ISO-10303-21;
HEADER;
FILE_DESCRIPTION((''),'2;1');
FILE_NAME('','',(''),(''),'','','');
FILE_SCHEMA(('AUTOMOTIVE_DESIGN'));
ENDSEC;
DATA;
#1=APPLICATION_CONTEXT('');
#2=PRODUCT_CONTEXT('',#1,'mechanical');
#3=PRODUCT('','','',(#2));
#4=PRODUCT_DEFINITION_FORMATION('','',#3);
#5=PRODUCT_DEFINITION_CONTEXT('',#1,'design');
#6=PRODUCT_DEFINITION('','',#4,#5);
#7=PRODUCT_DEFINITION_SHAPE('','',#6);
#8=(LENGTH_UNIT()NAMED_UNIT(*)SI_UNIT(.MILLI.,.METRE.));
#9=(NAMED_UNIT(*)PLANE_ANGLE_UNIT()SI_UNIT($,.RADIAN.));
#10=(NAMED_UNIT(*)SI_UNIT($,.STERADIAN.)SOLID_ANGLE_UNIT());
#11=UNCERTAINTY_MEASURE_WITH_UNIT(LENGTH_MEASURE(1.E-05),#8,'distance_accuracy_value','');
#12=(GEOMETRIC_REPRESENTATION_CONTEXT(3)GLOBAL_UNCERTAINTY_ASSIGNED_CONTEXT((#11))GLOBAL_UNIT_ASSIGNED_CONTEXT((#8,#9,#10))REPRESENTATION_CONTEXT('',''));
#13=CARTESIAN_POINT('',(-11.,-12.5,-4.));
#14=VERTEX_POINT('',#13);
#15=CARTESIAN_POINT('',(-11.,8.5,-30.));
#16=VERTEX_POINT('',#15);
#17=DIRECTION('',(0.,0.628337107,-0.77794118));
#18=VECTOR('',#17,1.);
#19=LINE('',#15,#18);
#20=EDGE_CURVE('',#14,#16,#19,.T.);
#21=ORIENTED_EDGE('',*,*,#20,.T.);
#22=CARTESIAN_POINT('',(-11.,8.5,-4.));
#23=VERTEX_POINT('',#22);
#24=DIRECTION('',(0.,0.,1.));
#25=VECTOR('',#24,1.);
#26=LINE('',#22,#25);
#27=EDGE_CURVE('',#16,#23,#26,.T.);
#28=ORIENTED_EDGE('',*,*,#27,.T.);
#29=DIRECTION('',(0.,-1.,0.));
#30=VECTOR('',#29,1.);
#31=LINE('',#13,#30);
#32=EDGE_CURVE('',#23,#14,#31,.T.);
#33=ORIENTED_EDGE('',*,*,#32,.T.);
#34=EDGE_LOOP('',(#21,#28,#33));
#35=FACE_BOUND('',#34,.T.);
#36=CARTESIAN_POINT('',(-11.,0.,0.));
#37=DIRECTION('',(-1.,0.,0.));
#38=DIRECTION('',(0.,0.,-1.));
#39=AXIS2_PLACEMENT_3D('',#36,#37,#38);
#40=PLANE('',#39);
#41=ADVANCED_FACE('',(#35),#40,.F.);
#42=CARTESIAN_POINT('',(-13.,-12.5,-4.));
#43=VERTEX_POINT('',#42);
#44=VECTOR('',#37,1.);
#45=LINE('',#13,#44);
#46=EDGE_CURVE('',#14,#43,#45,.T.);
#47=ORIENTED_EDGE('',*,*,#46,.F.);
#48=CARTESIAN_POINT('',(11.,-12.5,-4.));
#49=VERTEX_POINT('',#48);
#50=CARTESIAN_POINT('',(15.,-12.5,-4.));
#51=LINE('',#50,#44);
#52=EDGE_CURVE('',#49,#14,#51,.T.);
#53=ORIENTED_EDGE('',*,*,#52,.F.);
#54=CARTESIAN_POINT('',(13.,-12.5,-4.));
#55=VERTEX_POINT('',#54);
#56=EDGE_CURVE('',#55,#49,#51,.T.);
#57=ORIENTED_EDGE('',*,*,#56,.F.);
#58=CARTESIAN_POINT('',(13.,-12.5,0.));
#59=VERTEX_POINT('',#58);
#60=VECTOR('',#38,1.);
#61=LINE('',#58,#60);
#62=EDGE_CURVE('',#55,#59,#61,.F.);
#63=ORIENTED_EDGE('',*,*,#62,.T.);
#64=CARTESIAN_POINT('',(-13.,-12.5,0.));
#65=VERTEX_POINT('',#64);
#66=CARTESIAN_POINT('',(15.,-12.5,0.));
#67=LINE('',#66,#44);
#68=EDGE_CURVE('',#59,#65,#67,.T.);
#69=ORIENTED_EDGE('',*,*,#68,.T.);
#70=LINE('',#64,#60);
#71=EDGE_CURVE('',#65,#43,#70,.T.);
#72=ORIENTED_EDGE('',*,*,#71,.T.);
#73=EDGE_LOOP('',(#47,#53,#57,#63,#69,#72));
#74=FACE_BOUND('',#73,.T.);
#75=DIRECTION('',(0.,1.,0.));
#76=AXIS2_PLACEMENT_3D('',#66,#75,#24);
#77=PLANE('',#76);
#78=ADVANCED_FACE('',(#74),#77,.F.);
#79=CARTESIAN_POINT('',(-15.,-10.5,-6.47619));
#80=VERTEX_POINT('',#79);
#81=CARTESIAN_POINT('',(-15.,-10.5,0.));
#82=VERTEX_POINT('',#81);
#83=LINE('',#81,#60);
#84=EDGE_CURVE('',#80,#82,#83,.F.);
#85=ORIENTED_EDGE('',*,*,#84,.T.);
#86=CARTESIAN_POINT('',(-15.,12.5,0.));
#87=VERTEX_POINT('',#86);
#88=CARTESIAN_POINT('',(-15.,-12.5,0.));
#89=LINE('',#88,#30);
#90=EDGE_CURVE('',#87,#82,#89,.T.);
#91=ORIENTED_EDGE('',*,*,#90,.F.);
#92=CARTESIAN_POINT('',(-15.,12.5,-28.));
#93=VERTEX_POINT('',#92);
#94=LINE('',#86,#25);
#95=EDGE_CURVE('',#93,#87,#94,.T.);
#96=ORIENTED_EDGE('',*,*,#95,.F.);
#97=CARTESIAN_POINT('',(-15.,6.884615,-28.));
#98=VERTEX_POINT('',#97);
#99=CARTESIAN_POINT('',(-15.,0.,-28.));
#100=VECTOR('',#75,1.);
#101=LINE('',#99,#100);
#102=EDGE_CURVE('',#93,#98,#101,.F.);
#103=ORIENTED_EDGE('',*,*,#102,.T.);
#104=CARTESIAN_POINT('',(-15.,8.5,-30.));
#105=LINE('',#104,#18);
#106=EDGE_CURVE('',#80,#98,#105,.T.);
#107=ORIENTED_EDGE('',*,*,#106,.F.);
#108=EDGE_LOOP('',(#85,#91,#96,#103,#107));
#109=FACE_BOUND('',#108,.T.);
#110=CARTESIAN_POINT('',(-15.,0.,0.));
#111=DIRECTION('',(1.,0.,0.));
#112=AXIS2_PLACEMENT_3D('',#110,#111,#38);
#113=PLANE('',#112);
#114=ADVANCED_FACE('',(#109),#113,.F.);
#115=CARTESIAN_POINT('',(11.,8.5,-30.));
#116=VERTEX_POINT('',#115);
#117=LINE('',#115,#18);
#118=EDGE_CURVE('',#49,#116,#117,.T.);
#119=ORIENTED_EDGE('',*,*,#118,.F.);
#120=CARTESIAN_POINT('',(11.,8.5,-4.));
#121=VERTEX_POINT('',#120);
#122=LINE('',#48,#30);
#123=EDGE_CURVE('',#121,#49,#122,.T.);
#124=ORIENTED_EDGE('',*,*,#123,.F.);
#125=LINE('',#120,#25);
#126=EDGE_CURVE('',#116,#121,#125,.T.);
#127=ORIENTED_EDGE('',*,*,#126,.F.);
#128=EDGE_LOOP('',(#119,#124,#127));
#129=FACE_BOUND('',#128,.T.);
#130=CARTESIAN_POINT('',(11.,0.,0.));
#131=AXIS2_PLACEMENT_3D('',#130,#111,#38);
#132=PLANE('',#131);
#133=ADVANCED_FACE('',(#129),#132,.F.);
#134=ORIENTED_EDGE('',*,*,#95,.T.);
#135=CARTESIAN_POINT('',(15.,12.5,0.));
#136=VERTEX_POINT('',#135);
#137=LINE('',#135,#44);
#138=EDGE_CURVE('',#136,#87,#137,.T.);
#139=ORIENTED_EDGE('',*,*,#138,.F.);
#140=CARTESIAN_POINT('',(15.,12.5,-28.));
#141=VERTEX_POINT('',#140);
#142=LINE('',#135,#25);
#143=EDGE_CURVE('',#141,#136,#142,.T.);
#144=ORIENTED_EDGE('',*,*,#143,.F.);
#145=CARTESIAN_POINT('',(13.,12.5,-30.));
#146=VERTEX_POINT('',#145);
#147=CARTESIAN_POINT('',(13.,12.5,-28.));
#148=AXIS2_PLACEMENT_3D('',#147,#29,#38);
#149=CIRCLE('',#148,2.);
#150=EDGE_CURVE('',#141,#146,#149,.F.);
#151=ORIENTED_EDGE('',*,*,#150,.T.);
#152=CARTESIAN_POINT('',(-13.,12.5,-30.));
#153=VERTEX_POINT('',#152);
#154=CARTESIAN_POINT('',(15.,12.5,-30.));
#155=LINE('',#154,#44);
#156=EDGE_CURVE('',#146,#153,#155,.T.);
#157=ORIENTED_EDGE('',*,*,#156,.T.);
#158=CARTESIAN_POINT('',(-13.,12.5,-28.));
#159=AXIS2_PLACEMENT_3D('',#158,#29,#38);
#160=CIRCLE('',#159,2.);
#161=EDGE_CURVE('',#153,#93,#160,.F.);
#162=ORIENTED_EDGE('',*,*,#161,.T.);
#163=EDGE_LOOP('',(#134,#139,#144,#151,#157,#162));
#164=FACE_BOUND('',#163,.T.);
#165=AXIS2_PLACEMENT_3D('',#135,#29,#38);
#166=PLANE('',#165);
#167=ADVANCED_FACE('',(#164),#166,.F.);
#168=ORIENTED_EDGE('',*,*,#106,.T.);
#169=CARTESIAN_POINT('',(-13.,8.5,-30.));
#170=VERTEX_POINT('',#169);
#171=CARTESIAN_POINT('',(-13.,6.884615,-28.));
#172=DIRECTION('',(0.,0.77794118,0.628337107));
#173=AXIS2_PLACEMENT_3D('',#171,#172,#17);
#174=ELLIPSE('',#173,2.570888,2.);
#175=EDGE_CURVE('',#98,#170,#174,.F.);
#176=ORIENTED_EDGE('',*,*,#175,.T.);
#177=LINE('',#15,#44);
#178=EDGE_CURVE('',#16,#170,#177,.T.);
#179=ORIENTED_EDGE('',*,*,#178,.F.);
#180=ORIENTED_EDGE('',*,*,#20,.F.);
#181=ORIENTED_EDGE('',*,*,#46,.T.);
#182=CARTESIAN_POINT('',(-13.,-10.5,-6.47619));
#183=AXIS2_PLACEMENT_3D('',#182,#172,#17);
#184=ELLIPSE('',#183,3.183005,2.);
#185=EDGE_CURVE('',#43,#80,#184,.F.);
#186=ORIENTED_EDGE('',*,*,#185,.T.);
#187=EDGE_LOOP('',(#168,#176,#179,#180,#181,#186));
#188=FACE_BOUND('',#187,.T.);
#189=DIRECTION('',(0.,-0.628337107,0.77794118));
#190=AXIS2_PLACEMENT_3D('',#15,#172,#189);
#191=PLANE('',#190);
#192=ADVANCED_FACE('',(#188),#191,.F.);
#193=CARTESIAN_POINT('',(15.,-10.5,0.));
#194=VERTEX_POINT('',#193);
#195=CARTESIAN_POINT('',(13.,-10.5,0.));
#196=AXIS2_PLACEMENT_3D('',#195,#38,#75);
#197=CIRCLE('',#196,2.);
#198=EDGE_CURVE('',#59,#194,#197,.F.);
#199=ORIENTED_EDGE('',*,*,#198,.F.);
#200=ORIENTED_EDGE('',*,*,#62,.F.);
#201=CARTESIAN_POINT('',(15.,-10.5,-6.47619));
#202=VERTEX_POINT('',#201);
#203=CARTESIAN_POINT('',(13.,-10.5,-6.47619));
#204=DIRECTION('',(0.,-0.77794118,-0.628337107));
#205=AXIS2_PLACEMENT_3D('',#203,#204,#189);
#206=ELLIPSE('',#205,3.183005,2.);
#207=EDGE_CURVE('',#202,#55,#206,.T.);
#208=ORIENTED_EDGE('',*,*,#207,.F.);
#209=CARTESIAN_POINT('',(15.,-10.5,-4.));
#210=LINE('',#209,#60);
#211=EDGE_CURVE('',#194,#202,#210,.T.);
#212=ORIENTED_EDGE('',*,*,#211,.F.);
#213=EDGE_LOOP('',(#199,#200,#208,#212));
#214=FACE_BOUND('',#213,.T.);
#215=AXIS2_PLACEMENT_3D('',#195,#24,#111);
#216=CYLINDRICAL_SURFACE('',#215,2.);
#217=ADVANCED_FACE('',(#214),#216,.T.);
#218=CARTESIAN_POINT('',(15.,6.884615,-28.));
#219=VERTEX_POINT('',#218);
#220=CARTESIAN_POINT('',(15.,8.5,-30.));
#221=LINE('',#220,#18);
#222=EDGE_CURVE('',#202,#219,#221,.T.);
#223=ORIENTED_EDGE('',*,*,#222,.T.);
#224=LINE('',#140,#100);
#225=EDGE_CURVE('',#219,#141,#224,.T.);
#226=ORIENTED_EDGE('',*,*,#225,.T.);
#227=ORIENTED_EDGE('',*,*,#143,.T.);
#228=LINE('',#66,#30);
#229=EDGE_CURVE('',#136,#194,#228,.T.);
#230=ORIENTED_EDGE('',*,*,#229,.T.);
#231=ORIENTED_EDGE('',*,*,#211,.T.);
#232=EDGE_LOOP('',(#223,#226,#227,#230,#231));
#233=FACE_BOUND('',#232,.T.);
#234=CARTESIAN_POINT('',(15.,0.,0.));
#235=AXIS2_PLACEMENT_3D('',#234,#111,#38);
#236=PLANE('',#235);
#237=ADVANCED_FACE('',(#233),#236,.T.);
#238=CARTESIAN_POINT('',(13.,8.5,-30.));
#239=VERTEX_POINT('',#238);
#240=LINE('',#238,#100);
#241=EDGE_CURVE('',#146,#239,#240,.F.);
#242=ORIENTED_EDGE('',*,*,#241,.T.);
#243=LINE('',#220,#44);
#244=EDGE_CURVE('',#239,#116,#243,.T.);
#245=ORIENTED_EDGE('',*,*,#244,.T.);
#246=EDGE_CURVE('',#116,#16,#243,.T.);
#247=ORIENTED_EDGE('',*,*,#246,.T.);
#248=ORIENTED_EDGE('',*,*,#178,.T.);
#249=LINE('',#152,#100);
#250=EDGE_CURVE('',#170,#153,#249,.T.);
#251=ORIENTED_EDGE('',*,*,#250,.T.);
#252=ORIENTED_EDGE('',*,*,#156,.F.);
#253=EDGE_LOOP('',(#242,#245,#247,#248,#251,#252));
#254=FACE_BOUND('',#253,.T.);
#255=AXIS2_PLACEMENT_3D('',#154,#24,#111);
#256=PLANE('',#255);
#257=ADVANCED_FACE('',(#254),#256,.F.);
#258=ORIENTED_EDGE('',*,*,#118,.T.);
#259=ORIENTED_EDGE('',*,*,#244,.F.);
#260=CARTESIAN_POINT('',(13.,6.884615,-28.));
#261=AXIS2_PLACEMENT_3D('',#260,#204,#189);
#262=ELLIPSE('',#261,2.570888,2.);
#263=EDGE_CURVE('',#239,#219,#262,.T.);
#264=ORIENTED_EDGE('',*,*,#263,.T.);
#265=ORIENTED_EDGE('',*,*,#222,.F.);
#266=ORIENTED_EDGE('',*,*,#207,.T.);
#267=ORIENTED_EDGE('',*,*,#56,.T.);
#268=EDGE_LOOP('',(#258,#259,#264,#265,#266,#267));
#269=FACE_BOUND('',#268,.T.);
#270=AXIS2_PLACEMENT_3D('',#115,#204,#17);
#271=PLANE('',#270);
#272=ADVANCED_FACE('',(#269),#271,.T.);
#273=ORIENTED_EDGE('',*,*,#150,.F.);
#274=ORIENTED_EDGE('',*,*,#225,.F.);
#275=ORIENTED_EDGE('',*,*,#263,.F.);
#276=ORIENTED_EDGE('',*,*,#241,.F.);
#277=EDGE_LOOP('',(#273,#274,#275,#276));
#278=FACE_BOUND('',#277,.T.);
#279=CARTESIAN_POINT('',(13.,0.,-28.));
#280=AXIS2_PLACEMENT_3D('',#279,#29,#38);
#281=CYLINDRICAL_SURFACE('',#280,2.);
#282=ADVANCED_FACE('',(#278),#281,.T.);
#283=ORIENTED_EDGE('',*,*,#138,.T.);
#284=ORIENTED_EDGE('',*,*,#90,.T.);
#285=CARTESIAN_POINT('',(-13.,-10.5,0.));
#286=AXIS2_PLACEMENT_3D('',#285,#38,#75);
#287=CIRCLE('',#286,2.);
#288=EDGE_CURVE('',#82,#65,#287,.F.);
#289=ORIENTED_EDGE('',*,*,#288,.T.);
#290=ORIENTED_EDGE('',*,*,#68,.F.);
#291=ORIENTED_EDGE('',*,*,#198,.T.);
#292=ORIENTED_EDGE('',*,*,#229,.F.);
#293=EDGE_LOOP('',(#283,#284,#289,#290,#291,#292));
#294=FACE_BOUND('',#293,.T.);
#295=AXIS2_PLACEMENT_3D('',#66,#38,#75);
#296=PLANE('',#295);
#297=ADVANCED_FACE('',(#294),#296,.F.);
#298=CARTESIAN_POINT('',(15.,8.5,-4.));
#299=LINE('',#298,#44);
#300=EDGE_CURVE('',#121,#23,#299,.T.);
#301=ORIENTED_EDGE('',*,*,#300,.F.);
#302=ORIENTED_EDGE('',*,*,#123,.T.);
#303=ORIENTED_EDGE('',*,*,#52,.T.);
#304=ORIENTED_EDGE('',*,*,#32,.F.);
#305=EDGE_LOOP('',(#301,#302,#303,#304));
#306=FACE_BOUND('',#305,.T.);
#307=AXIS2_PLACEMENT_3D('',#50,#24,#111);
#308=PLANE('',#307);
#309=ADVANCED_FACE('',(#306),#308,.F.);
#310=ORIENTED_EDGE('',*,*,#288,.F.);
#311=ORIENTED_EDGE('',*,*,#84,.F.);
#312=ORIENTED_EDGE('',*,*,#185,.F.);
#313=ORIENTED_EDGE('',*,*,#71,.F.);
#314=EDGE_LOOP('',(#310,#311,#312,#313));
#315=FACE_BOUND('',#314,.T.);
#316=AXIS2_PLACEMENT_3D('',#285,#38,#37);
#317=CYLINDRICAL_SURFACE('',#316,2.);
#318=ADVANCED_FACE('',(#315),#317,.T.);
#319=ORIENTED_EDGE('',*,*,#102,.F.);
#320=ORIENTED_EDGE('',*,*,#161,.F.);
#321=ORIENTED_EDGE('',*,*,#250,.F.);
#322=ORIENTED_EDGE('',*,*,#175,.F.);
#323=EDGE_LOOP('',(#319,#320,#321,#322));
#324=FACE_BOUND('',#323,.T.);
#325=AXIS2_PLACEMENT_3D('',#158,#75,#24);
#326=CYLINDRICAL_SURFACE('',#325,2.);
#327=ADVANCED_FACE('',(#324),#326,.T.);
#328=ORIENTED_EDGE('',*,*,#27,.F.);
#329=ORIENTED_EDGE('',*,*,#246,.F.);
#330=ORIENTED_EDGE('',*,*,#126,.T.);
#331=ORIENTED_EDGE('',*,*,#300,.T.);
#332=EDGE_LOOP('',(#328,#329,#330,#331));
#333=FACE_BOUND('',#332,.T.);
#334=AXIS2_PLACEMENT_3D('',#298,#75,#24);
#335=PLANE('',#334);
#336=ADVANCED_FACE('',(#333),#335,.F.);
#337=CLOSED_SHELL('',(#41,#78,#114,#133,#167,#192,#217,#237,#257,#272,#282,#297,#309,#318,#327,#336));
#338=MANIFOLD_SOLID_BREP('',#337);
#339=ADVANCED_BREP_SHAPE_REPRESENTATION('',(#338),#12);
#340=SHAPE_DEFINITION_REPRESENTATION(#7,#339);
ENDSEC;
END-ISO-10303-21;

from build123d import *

# Parameters (mm, degrees)
BOSS_EXTRUDE1_DEPTH = 15
BOSS_EXTRUDE2_DEPTH = 4
FILLET1_R           = 2


with BuildPart() as part:
    # Sketch1 → Boss-Extrude1 (new body, symmetric)
    with BuildSketch(Plane(origin=(0, 0, 0), x_dir=(0, 0, -1), z_dir=(1, 0, 0))):
        Polygon((0, -12.5), (0, 12.5), (30, 12.5), (30, 8.5), (4, 8.5), (4, -12.5), align=None)
    extrude(amount=BOSS_EXTRUDE1_DEPTH, both=True)

    # Sketch2 → Boss-Extrude2 (add)
    with BuildSketch(Plane(origin=(15, 0, 0), x_dir=(0, 0, -1), z_dir=(1, 0, 0))):
        Polygon((30, 8.5), (4, -12.5), (4, 8.5), align=None)
    boss_extrude2 = extrude(amount=-BOSS_EXTRUDE2_DEPTH)

    # Mirror1: Boss-Extrude2 across plane
    add(boss_extrude2.mirror(Plane(origin=(0, 0, 0), x_dir=(0, 0, 1), z_dir=(1, 0, 0))))

    # Fillet1
    fillet1_edges = [part.edges().sort_by_distance(p)[0] for p in [
        (15, -12.5, -2),
        (15, 10.5, -30),
        (-15, -12.5, -2),
        (-15, 10.5, -30),
    ]]
    fillet(fillet1_edges, radius=FILLET1_R)


solid = part.part
